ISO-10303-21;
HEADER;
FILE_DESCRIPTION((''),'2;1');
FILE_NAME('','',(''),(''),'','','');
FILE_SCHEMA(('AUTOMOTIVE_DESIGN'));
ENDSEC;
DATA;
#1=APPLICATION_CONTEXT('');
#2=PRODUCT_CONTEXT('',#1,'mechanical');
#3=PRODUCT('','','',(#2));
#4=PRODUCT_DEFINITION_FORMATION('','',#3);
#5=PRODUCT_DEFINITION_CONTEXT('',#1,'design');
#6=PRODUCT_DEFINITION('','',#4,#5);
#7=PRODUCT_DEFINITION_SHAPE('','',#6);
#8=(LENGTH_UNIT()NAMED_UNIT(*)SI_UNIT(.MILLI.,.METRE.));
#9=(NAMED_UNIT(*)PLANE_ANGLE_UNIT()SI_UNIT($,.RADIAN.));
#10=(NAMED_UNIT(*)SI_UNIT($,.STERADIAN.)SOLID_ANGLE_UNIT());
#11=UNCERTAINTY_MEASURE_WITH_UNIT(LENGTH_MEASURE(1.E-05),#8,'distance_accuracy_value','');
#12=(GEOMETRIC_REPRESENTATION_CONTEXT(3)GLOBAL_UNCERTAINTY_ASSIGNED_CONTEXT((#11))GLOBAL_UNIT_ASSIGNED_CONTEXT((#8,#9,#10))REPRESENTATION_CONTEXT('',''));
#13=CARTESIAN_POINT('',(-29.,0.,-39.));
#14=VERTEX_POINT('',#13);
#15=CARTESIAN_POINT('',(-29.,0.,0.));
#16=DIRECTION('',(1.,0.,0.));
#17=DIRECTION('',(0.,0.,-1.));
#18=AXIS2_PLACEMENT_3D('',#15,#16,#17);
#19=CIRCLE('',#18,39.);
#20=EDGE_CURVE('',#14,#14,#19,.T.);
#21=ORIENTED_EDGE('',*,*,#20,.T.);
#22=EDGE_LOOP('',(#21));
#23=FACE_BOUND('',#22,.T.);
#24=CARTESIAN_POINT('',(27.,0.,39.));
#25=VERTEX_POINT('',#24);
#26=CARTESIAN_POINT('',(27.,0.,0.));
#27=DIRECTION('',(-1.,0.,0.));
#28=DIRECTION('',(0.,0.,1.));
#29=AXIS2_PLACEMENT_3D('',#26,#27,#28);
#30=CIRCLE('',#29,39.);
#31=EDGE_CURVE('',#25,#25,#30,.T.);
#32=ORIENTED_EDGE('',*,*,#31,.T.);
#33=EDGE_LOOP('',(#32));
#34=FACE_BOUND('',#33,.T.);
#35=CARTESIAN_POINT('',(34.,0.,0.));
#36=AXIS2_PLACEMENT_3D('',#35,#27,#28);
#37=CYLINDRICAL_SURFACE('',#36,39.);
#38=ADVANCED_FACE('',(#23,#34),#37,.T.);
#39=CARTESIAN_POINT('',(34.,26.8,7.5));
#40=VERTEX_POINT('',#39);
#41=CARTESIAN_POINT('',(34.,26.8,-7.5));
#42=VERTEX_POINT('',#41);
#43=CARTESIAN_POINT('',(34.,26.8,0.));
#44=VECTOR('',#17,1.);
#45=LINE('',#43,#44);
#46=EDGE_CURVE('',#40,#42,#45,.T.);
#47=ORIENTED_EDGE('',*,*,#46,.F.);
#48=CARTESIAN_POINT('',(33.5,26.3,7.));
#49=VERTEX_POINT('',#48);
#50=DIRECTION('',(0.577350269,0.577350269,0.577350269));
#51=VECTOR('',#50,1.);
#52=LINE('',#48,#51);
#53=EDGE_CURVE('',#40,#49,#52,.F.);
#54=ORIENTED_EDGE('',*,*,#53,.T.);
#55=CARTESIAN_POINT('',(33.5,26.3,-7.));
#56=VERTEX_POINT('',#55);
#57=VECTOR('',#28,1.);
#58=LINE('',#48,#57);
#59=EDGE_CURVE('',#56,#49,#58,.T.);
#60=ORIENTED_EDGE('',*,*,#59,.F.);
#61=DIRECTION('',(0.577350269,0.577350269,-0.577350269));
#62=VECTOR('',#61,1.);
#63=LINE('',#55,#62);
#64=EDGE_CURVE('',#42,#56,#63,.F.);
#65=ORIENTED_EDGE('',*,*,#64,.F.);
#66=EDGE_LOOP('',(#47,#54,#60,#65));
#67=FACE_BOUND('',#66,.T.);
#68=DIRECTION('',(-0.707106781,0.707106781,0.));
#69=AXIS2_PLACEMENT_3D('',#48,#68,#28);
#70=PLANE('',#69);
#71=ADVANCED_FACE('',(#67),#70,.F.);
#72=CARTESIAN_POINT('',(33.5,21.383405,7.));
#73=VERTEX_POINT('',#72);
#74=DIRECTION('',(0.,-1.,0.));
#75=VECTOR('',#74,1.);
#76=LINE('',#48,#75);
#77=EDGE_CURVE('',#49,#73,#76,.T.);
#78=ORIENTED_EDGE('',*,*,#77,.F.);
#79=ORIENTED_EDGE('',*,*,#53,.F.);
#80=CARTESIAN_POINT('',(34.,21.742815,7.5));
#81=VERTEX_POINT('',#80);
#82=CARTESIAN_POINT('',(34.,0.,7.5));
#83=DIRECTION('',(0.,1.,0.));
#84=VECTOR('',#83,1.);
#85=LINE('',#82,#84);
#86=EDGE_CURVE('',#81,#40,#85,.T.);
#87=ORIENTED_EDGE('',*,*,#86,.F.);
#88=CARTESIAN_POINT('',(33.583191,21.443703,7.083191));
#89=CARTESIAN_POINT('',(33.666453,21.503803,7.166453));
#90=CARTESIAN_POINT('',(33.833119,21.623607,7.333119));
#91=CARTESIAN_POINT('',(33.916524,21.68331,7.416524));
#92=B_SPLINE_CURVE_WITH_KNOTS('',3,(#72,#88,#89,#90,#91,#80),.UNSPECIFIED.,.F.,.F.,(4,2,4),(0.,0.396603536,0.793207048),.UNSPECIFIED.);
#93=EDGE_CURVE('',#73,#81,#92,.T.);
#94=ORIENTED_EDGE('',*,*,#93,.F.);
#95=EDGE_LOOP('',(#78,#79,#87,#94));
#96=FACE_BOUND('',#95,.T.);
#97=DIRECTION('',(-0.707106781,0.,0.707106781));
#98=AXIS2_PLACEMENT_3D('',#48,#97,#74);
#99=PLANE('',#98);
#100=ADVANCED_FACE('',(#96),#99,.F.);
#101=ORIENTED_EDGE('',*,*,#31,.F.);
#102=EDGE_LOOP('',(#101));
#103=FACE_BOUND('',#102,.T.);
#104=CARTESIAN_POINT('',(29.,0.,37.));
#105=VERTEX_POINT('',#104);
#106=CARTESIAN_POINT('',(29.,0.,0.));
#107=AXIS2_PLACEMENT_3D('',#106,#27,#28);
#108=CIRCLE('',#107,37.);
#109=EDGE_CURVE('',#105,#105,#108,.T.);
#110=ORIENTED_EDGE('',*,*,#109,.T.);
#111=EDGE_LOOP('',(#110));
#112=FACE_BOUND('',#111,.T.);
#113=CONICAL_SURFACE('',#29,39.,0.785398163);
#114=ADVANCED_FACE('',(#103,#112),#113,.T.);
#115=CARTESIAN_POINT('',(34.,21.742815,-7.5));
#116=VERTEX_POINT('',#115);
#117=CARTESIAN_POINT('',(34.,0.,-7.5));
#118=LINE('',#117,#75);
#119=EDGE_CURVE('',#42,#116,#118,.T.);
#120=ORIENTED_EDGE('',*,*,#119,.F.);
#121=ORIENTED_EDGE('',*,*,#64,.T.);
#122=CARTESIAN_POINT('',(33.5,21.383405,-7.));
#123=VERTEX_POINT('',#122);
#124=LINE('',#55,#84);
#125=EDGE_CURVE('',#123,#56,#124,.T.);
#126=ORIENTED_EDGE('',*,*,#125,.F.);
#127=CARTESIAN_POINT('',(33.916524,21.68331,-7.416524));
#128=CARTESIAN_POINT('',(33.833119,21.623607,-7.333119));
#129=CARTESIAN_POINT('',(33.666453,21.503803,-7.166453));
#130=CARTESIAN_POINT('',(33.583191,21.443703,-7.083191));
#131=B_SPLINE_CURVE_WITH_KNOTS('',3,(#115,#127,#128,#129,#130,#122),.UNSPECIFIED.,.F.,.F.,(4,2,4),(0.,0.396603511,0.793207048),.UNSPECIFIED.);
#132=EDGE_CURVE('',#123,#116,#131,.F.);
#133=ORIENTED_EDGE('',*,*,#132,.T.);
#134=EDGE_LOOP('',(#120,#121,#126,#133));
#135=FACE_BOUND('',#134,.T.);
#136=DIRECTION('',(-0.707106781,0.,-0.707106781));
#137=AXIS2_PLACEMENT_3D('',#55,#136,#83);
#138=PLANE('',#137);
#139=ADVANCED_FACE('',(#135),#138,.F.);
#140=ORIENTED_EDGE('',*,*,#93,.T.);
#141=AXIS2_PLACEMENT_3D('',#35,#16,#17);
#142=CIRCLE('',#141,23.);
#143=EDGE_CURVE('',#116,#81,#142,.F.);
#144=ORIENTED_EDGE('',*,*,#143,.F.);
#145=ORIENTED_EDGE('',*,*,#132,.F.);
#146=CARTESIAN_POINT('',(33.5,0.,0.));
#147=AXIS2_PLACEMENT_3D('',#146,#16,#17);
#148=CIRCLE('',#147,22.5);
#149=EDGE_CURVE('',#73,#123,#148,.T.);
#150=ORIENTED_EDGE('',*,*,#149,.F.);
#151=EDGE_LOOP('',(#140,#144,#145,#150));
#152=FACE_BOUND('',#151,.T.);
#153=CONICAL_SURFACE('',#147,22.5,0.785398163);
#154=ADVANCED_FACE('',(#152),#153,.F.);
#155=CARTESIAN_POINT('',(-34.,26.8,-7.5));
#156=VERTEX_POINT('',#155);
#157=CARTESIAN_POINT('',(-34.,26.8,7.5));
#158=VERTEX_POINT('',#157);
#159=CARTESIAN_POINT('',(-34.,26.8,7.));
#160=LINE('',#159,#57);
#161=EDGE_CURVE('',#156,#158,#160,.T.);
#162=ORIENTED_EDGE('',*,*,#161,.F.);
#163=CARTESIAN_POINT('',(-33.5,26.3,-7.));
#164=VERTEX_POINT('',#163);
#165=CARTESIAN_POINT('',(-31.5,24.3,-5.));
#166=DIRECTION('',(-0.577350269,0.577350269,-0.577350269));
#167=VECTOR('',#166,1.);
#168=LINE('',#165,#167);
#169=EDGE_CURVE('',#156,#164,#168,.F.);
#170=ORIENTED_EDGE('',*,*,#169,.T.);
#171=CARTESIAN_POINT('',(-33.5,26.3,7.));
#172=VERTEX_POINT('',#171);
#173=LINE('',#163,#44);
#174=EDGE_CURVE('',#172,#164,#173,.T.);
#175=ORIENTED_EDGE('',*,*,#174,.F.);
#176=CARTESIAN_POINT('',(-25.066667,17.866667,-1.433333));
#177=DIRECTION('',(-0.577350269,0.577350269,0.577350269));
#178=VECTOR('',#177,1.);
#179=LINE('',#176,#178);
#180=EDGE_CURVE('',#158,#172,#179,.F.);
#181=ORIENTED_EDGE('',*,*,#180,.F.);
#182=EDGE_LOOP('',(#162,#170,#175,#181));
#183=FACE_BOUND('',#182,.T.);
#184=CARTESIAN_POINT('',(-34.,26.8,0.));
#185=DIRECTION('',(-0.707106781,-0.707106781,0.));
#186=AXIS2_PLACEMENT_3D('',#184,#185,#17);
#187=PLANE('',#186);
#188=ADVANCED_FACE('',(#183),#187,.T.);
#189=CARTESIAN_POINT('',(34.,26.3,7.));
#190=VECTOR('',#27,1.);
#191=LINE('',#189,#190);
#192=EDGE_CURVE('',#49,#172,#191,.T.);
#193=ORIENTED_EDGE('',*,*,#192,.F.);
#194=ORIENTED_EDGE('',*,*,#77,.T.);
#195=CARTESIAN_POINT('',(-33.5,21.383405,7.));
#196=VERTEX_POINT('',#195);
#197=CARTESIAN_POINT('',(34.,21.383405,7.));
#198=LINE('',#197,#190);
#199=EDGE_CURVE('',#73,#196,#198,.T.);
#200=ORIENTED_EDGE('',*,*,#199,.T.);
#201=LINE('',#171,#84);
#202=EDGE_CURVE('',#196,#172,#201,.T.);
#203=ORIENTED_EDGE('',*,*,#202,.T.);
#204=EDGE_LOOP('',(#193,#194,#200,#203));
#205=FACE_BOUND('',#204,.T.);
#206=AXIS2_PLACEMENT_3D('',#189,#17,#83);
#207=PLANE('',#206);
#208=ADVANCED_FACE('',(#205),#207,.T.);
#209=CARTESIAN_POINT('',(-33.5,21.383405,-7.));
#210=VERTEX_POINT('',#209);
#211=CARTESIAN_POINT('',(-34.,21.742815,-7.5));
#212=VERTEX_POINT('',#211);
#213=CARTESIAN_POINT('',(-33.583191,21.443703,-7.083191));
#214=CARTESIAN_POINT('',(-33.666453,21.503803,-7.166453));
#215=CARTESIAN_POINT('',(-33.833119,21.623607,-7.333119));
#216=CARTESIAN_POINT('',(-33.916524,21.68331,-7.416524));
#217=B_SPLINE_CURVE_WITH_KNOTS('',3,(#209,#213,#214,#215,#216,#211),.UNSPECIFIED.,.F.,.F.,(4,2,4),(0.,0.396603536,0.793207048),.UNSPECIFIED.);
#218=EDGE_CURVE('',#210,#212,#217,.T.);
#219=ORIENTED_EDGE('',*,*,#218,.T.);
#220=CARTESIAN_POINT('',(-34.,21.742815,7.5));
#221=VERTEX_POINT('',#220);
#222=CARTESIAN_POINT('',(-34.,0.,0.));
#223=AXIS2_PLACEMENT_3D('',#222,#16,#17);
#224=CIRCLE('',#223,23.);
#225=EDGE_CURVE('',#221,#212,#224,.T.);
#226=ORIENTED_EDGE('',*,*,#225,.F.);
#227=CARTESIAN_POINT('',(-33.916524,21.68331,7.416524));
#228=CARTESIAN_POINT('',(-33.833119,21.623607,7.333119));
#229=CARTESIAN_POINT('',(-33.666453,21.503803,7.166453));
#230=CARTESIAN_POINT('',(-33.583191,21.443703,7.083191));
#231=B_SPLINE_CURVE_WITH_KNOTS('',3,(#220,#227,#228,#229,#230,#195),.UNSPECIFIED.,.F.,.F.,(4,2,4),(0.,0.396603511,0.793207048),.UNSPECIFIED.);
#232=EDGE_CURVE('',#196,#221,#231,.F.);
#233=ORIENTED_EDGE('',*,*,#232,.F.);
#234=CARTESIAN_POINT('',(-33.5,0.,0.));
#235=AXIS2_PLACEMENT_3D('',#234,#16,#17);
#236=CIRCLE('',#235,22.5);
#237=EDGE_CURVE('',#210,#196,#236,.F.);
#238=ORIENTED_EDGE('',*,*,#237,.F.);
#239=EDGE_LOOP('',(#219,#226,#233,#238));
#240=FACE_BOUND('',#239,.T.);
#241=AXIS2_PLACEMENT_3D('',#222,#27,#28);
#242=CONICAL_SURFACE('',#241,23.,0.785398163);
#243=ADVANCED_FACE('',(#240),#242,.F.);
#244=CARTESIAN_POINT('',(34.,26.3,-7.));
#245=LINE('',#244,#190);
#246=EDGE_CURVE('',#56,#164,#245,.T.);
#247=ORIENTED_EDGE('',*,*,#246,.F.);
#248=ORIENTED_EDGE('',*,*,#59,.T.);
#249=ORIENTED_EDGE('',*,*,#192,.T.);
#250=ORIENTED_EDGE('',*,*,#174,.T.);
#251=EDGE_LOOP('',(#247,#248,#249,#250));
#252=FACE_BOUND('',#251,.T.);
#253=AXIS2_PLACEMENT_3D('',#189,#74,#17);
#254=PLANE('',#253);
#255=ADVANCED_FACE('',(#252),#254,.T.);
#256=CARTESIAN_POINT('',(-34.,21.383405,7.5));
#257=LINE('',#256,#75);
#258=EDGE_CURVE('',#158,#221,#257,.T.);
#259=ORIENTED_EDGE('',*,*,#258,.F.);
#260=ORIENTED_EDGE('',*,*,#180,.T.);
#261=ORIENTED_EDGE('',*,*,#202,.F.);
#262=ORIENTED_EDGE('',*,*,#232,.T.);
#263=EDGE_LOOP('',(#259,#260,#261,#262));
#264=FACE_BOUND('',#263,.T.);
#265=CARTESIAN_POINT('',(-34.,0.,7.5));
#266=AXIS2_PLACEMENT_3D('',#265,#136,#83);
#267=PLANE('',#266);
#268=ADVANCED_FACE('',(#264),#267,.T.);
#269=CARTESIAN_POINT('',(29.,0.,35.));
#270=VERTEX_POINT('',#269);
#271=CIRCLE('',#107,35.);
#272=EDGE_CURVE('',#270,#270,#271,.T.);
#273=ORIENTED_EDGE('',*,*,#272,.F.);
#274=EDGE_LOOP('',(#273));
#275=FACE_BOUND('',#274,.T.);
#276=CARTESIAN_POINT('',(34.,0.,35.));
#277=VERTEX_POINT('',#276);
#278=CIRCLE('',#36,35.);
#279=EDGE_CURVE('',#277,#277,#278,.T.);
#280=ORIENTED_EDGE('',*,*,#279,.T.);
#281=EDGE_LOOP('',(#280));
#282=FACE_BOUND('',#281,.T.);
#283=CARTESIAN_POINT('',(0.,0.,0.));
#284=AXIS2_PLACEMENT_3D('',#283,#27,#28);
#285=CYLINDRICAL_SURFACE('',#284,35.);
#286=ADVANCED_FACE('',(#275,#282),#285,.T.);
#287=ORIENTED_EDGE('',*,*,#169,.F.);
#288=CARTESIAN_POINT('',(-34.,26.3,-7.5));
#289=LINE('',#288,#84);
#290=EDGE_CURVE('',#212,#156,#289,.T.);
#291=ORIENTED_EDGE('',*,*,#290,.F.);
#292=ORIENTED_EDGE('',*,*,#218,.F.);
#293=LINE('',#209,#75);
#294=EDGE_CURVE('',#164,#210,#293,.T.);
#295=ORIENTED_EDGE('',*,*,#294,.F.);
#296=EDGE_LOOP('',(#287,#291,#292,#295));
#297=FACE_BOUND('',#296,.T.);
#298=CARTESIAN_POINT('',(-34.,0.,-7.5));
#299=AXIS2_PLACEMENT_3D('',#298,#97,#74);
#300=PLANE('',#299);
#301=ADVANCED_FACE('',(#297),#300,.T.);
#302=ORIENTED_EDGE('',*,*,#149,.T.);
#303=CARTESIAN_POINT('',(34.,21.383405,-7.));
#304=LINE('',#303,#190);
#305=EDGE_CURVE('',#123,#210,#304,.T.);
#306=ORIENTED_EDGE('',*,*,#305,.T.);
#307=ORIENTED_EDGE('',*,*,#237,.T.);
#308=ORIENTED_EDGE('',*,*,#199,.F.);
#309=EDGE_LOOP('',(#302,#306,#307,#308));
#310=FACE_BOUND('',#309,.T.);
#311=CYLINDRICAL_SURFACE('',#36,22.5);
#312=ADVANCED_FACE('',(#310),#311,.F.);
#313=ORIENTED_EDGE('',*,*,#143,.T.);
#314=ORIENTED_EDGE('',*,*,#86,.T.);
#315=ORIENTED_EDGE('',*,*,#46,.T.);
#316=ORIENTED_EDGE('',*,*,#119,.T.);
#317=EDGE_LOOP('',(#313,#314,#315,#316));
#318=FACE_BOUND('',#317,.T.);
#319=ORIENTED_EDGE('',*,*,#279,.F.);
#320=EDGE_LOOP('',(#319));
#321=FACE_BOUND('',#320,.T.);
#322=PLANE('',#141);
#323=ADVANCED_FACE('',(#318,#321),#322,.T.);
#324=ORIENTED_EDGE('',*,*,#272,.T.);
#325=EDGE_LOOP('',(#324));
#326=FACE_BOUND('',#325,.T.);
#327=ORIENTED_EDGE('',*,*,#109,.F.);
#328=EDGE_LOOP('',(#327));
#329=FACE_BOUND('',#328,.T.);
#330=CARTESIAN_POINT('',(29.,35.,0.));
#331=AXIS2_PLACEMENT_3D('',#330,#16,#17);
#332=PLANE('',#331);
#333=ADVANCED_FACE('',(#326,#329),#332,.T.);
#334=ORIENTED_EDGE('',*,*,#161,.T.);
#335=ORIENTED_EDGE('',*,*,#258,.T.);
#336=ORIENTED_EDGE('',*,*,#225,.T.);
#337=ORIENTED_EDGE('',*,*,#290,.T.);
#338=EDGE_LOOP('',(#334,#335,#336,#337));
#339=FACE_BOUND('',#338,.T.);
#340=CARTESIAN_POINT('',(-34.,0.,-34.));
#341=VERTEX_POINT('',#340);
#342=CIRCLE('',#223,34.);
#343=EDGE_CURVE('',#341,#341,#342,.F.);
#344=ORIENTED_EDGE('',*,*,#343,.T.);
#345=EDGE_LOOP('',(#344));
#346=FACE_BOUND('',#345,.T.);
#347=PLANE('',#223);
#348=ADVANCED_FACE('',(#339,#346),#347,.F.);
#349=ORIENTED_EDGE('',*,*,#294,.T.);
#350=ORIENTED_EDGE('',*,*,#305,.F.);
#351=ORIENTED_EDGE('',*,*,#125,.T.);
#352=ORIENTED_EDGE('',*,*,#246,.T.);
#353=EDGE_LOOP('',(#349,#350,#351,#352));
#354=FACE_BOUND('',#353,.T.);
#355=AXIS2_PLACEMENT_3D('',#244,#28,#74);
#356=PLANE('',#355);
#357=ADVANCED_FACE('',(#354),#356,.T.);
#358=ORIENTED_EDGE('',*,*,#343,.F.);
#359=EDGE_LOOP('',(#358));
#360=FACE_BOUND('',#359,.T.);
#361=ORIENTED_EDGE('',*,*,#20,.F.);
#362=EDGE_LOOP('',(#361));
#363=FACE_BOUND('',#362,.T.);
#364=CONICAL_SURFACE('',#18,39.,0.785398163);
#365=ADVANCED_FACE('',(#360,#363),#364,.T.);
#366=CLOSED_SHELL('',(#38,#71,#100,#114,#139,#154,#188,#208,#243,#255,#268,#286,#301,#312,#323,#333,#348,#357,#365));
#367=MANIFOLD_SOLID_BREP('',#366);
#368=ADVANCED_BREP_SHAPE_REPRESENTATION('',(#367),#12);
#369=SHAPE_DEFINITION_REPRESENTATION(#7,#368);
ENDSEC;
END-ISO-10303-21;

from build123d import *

# Parameters (mm, degrees)
SKETCH_1_R      = 39
EXTRUDE_1_DEPTH = 34
CHAMFER_1_SIZE  = 5
CHAMFER_2_SIZE  = 0.5


with BuildPart() as part:
    # Эскиз1 → Бобышка-Вытянуть1 (new, symmetric)
    with BuildSketch(Plane(origin=(0, 0, 0), x_dir=(0, 0, -1), z_dir=(1, 0, 0))):
        Circle(SKETCH_1_R)
        with BuildLine():
            Line((-7, 26.3), (7, 26.3))
            Line((7, 26.3), (7, 21.38340478))
            ThreePointArc((7, 21.38340478), (0, -22.5), (-7, 21.38340478))
            Line((-7, 21.38340478), (-7, 26.3))
        make_face(mode=Mode.SUBTRACT)
    extrude(amount=EXTRUDE_1_DEPTH, both=True)

    # Фаска1
    chamfer_1_edges = [part.edges().sort_by_distance(p)[0] for p in [
        (-34, 0, 39),
    ]]
    chamfer(chamfer_1_edges, length=CHAMFER_1_SIZE)

    # Фаска2
    chamfer_2_edges = [part.edges().sort_by_distance(p)[0] for p in [
        (34, 26.3, 0),
        (34, 23.84170239, 7),
        (-34, -22.5, 0),
        (-34, 23.84170239, -7),
        (-34, 26.3, 0),
        (-34, 23.84170239, 7),
        (34, -22.5, 0),
        (34, 23.84170239, -7),
    ]]
    chamfer(chamfer_2_edges, length=CHAMFER_2_SIZE)

    # Эскиз2 → Вырез-Повернуть1 (revolve, cut)
    with BuildSketch(Plane.XY, mode=Mode.PRIVATE) as cut_revolve_1_sk:
        Polygon((34, 35), (29, 35), (29, 37), (27, 39), (34, 39), align=None)
    revolve(cut_revolve_1_sk.sketch.rotate(Axis((0, 0, 0), (1, 0, 0)), 90), axis=Axis((0, 0, 0), (1, 0, 0)), mode=Mode.SUBTRACT)


solid = part.part
